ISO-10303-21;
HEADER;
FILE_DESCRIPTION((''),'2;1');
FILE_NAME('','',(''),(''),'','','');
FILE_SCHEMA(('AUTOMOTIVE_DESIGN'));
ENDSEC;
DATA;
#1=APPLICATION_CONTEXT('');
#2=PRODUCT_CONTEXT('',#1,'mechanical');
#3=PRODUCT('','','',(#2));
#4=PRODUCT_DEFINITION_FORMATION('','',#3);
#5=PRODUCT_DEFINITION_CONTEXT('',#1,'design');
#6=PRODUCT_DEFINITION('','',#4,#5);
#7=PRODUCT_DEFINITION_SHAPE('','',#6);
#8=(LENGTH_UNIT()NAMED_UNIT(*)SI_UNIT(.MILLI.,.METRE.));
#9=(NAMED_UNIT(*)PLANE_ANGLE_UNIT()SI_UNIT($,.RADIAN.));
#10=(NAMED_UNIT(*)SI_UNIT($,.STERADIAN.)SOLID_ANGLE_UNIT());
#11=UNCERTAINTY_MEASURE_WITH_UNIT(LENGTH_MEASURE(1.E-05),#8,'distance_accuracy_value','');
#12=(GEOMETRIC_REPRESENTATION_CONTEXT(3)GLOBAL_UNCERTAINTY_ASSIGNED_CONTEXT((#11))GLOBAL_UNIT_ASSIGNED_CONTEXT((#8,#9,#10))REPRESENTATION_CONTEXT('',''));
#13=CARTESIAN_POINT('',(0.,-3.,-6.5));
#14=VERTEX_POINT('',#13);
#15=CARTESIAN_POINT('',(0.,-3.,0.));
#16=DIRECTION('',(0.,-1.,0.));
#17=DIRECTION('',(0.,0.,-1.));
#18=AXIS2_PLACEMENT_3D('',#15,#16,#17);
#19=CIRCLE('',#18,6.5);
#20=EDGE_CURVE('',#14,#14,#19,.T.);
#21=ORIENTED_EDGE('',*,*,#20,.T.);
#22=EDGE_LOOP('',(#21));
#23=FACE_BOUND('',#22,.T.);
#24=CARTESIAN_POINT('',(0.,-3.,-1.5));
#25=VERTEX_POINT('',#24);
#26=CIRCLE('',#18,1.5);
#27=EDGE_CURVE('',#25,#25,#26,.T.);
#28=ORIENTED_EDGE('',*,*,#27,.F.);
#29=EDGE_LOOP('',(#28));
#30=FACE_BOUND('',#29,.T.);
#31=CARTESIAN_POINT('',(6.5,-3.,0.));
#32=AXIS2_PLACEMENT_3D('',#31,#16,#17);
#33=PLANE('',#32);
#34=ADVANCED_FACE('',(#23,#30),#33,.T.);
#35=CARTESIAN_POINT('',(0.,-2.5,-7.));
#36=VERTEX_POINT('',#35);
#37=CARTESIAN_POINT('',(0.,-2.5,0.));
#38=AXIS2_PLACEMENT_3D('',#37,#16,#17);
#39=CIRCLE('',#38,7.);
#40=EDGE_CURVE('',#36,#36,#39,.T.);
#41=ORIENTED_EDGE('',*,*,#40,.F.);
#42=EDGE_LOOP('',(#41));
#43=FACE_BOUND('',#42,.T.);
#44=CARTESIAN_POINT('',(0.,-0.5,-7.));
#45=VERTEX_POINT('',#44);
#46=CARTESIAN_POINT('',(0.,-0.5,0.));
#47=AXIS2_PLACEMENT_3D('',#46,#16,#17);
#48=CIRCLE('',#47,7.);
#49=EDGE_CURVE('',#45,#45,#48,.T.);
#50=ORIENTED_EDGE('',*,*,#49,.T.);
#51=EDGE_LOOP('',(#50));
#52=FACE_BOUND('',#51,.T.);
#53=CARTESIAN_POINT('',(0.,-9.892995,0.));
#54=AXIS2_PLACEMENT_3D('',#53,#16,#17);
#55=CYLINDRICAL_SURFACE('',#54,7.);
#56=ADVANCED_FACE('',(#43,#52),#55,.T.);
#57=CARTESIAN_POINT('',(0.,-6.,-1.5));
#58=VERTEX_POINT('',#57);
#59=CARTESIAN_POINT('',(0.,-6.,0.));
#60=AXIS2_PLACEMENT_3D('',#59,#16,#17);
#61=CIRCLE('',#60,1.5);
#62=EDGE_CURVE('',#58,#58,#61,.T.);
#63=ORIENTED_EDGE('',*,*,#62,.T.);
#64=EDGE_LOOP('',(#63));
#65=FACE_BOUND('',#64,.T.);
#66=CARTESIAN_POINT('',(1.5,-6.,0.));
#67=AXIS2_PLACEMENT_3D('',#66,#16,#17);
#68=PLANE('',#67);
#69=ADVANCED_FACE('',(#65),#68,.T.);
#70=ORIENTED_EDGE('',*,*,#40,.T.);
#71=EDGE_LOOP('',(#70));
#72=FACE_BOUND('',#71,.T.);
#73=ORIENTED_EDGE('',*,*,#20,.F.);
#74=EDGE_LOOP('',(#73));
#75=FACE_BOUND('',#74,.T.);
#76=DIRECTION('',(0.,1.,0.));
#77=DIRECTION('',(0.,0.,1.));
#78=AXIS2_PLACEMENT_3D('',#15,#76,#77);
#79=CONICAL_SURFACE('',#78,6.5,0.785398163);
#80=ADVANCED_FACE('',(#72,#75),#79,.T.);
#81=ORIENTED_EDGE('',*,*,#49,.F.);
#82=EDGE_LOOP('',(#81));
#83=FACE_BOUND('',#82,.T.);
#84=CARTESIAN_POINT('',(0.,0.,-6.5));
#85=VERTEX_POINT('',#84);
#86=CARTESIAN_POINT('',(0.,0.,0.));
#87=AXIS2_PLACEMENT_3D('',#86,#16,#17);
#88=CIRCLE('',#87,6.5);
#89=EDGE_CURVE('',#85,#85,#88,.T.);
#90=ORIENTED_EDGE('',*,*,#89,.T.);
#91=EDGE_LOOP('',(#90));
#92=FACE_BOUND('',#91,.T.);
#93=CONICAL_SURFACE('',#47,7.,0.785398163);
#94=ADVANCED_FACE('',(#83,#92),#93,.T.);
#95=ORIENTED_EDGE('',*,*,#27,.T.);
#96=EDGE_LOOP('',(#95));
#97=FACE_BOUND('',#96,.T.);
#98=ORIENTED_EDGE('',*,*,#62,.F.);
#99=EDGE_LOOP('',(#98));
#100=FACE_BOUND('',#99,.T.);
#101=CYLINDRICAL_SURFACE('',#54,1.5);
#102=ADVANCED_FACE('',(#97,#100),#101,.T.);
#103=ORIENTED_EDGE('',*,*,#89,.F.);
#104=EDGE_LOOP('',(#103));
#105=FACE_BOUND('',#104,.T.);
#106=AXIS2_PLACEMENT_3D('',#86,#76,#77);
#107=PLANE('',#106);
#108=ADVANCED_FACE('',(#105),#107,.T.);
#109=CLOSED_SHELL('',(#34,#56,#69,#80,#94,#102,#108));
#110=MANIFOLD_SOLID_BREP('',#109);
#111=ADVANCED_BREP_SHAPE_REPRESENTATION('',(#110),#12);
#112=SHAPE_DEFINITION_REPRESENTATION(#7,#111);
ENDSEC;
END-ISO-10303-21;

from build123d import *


with BuildPart() as part:
    # Sketch1 → Revolve1 (revolve)
    with BuildSketch(Plane.XY, mode=Mode.PRIVATE) as revolve1_sk:
        Polygon((0, 0), (6.5, 0), (7, -0.5), (7, -2.5), (6.5, -3), (1.5, -3), (1.5, -6), (0, -6), align=None)
    revolve(revolve1_sk.sketch.rotate(Axis((0, -9.89299526, 0), (0, 1, 0)), 90), axis=Axis((0, -9.89299526, 0), (0, 1, 0)))


solid = part.part
